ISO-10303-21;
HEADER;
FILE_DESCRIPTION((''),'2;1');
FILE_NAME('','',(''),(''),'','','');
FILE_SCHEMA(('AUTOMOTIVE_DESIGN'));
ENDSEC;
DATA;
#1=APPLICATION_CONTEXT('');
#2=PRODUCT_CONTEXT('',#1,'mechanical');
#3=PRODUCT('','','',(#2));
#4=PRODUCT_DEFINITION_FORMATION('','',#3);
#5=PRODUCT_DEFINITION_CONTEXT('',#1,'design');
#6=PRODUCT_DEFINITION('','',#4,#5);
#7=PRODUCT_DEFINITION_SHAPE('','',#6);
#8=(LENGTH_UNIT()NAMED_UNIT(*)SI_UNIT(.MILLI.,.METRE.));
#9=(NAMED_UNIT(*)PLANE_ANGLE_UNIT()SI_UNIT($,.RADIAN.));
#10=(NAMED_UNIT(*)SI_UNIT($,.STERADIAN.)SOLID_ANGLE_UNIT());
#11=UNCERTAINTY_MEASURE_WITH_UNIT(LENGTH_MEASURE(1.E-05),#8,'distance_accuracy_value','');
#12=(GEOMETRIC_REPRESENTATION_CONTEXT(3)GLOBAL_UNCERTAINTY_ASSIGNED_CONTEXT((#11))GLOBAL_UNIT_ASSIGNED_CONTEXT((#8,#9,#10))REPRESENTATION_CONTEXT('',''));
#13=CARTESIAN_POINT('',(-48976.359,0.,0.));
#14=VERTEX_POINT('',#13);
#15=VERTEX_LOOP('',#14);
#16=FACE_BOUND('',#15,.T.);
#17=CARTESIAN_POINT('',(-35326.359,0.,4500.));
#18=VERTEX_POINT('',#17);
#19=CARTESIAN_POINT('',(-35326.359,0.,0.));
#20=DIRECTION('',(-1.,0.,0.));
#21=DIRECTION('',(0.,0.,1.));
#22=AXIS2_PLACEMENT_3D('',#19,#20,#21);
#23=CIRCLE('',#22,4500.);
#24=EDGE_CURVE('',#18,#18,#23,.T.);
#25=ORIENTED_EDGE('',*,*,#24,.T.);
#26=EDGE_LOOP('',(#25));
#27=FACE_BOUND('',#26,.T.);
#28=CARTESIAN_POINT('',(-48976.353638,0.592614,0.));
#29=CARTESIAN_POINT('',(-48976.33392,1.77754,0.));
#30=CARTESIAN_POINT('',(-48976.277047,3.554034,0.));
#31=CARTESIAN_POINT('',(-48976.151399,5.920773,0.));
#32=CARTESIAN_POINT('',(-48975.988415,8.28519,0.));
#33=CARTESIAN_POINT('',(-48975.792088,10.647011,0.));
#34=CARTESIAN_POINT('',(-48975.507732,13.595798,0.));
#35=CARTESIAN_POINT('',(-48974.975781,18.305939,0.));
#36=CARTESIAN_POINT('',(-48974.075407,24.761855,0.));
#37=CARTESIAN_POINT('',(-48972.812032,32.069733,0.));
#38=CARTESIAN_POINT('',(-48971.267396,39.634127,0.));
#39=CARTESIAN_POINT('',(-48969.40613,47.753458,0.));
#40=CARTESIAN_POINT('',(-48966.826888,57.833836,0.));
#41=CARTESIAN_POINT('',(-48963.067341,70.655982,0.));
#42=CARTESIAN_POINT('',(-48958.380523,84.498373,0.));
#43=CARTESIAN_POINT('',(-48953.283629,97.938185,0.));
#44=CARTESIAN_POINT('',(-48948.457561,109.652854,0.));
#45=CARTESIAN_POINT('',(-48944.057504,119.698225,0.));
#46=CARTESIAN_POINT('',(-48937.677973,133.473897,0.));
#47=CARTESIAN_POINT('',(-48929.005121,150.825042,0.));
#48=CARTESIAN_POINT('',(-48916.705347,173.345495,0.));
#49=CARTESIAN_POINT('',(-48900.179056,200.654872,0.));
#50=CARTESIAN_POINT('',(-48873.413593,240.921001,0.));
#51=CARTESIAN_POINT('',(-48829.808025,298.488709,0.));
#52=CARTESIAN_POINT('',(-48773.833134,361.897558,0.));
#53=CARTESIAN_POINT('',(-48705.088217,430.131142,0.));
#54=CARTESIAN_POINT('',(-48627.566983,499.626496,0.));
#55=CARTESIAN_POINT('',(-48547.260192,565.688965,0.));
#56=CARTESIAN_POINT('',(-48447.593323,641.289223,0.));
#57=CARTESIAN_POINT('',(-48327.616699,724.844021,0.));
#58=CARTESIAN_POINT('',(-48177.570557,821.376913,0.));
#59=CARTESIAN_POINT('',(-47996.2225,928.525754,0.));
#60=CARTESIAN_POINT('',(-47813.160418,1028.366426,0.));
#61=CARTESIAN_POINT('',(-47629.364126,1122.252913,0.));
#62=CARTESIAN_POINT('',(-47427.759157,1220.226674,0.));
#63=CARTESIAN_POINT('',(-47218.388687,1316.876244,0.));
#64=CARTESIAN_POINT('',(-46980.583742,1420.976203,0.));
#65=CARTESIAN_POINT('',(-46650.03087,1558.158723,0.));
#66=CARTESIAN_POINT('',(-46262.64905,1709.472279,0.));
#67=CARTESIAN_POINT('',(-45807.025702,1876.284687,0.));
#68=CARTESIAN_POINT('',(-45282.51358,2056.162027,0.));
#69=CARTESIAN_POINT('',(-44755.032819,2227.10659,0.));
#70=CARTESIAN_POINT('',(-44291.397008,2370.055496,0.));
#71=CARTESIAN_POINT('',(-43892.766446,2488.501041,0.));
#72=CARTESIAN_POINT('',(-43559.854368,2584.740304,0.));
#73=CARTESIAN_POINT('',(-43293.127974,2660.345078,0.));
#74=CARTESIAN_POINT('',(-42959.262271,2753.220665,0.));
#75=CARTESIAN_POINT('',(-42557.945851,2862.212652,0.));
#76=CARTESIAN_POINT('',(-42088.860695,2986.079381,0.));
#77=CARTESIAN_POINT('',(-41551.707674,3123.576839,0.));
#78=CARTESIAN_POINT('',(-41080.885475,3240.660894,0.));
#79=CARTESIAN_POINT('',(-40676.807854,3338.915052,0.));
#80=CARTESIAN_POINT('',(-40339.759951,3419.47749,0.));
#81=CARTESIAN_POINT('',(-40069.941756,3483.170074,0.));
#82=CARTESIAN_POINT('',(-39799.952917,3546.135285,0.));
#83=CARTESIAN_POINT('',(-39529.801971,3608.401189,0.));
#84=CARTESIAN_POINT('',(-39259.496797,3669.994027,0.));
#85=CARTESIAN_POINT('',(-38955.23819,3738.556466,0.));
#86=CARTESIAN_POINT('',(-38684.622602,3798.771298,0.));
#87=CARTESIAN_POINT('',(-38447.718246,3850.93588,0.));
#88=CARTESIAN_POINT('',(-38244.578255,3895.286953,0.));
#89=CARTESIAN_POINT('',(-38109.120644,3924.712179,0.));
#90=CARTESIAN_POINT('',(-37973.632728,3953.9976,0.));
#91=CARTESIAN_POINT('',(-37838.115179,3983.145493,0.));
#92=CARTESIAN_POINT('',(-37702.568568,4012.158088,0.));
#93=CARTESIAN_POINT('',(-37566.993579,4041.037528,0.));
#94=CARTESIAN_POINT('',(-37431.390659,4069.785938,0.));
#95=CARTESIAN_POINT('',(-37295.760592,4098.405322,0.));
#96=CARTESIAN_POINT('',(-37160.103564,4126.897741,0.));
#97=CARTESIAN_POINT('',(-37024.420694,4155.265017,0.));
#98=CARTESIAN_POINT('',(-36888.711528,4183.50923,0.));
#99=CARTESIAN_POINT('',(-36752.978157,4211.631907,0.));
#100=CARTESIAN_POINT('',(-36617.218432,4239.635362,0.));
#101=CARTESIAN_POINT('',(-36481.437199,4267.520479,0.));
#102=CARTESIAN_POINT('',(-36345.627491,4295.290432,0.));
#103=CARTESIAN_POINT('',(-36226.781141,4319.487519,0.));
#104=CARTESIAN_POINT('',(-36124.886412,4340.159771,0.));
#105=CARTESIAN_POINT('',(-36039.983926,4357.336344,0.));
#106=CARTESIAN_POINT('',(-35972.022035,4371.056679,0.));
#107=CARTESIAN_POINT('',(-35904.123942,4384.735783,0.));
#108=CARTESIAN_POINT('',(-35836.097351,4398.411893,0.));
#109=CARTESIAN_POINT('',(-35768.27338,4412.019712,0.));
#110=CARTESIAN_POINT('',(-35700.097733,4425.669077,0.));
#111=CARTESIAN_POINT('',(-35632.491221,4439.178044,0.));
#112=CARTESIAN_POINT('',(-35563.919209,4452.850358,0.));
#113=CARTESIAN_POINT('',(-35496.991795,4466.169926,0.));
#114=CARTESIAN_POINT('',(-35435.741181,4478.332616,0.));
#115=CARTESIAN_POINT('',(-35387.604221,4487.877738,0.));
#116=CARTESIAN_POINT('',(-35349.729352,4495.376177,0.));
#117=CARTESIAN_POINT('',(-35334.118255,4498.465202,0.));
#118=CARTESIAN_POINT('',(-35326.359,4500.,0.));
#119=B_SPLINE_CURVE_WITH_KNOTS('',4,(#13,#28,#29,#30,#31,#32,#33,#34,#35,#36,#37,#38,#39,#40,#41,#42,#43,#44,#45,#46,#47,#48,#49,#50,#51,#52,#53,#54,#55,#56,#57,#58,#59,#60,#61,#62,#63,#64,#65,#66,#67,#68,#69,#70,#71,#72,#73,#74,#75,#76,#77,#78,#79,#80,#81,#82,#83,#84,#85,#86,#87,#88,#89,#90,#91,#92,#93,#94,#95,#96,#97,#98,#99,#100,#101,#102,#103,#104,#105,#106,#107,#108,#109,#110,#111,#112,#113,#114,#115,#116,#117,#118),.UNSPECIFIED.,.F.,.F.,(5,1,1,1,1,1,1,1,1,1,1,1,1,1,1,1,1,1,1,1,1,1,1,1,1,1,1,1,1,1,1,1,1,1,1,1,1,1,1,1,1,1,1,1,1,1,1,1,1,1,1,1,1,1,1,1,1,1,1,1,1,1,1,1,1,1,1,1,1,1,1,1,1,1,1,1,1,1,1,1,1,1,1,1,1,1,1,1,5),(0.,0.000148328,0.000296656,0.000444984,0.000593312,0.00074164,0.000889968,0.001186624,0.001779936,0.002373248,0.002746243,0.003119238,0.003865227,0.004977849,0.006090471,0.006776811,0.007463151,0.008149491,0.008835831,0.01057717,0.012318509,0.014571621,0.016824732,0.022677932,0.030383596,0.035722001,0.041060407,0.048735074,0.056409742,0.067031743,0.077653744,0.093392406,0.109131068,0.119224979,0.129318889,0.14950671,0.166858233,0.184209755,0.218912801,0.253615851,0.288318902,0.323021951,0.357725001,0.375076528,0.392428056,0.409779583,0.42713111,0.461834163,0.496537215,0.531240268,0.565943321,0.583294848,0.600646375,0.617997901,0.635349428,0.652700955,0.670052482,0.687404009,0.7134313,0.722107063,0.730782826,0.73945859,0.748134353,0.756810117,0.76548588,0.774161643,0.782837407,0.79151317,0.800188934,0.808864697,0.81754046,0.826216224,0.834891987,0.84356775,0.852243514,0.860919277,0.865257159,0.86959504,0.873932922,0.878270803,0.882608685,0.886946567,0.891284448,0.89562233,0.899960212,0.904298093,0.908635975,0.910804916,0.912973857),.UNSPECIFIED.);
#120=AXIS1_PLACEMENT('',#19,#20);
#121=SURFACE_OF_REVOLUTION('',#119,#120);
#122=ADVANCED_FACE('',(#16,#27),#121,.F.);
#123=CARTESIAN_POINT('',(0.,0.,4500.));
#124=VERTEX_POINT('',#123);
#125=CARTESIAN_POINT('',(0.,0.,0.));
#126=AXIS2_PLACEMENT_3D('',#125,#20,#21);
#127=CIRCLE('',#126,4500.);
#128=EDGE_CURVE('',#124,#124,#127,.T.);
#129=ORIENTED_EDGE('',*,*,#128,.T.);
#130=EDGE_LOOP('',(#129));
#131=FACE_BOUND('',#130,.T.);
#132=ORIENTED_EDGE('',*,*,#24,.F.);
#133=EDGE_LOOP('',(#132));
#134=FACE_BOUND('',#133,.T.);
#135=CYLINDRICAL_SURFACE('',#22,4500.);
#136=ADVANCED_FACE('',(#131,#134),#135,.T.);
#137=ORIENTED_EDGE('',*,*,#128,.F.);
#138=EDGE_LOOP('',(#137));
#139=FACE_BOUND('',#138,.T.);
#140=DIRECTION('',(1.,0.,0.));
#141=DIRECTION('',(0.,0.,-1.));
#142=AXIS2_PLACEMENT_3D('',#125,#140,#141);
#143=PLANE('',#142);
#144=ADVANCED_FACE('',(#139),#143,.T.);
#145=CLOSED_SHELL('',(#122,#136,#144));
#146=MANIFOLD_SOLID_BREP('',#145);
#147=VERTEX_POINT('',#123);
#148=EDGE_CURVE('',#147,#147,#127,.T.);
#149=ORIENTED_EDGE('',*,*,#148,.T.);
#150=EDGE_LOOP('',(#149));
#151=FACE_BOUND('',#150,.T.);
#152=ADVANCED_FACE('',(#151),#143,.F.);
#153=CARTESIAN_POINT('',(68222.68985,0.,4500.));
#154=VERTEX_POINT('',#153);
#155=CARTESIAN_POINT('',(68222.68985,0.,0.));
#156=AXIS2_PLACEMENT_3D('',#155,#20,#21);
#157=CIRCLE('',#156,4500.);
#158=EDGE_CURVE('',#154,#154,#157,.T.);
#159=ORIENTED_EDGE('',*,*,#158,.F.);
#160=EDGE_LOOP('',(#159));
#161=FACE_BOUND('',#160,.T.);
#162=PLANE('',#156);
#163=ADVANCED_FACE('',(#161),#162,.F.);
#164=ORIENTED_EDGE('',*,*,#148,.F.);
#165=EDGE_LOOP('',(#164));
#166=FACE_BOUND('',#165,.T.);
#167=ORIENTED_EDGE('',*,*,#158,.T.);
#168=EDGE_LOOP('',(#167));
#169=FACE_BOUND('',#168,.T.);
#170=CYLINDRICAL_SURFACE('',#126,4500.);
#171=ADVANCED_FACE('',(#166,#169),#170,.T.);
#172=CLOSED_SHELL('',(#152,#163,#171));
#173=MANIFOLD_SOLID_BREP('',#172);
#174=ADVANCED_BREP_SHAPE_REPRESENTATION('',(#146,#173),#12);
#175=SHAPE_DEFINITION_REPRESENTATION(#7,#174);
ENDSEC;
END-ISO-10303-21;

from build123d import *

# Parameters (mm, degrees)
SKETCH1_3_W = 68222.68985
SKETCH1_3_H = 4500


with BuildPart() as part:
    # Sketch1 → Revolve1 (revolve)
    with BuildSketch(Plane.XY):
        with BuildLine():
            Line((0, 4500), (-35326.359000001, 4500))
            add(Edge.make_bspline(
                [(-48976.359000001, 0), (-48976.3536378, 0.592613518), (-48976.3339196, 1.777539599), (-48976.277047319, 3.554033894), (-48976.151399279, 5.920773076), (-48975.988415082, 8.285190024), (-48975.792087569, 10.647010918), (-48975.50773179, 13.595797729), (-48974.975780644, 18.305938846), (-48974.075407048, 24.761855399), (-48972.812032318, 32.069732876), (-48971.267395832, 39.634127062), (-48969.406130221, 47.753458034), (-48966.826887694, 57.833836262), (-48963.067340728, 70.655981624), (-48958.380522807, 84.498372841), (-48953.283629347, 97.938184949), (-48948.457560841, 109.652853503), (-48944.057504252, 119.698224839), (-48937.677973068, 133.473896563), (-48929.005121031, 150.825042001), (-48916.705346911, 173.345494974), (-48900.17905621, 200.654871825), (-48873.413592917, 240.921000666), (-48829.808025233, 298.488708543), (-48773.833134371, 361.897558053), (-48705.088216994, 430.131142156), (-48627.566983367, 499.626495881), (-48547.260191937, 565.688964915), (-48447.593323125, 641.289222996), (-48327.616698758, 724.844021045), (-48177.570557011, 821.376913095), (-47996.222500301, 928.525753816), (-47813.160418479, 1028.366425653), (-47629.364126457, 1122.252913372), (-47427.759156545, 1220.226673609), (-47218.388687314, 1316.876243602), (-46980.583741622, 1420.976202747), (-46650.030870018, 1558.158722655), (-46262.64905038, 1709.47227868), (-45807.025701776, 1876.28468683), (-45282.513579632, 2056.162027147), (-44755.032819441, 2227.106590133), (-44291.397008234, 2370.055495571), (-43892.766446018, 2488.501040828), (-43559.854367942, 2584.740304492), (-43293.127973672, 2660.345077511), (-42959.262271221, 2753.220665068), (-42557.945851294, 2862.212651822), (-42088.860694681, 2986.079381315), (-41551.707674095, 3123.576838646), (-41080.885474721, 3240.660893911), (-40676.807854123, 3338.915051605), (-40339.759951046, 3419.477490421), (-40069.941755537, 3483.170074199), (-39799.952917419, 3546.13528461), (-39529.801971385, 3608.401189071), (-39259.49679673, 3669.994026644), (-38955.238190483, 3738.556465885), (-38684.622602168, 3798.771298134), (-38447.718246347, 3850.935880293), (-38244.578255187, 3895.286953096), (-38109.120643668, 3924.712178681), (-37973.632727933, 3953.997600057), (-37838.115178621, 3983.145493489), (-37702.56856844, 4012.158088334), (-37566.993578702, 4041.037527552), (-37431.390659342, 4069.785938185), (-37295.760591604, 4098.405321953), (-37160.103563896, 4126.897740566), (-37024.420694324, 4155.265016528), (-36888.711527556, 4183.509230396), (-36752.978156789, 4211.631907315), (-36617.218432374, 4239.635362255), (-36481.437199134, 4267.520478978), (-36345.627490888, 4295.290431501), (-36226.781140549, 4319.487518527), (-36124.886412175, 4340.15977132), (-36039.983925564, 4357.336343801), (-35972.022035334, 4371.056678839), (-35904.123942456, 4384.735782617), (-35836.097350561, 4398.411892791), (-35768.273380284, 4412.019711581), (-35700.097732824, 4425.669076765), (-35632.491220751, 4439.178043534), (-35563.919209135, 4452.850357712), (-35496.991795405, 4466.169925715), (-35435.741180669, 4478.332615947), (-35387.604221043, 4487.877737786), (-35349.729351611, 4495.376176609), (-35334.118254757, 4498.465202356), (-35326.359, 4500)],
                knots=[0, 0, 0, 0, 0, 0.000148328, 0.000296656, 0.000444984, 0.000593312, 0.00074164, 0.000889968, 0.001186624, 0.001779936, 0.002373248, 0.002746243, 0.003119238, 0.003865227, 0.004977849, 0.006090471, 0.006776811, 0.007463151, 0.008149491, 0.008835831, 0.01057717, 0.012318509, 0.014571621, 0.016824732, 0.022677932, 0.030383596, 0.035722001, 0.041060407, 0.048735074, 0.056409742, 0.067031743, 0.077653744, 0.093392406, 0.109131068, 0.119224979, 0.129318889, 0.14950671, 0.166858233, 0.184209755, 0.218912801, 0.253615851, 0.288318902, 0.323021951, 0.357725001, 0.375076528, 0.392428056, 0.409779583, 0.42713111, 0.461834163, 0.496537215, 0.531240268, 0.565943321, 0.583294848, 0.600646375, 0.617997901, 0.635349428, 0.652700955, 0.670052482, 0.687404009, 0.7134313, 0.722107063, 0.730782826, 0.73945859, 0.748134353, 0.756810117, 0.76548588, 0.774161643, 0.782837407, 0.79151317, 0.800188934, 0.808864697, 0.81754046, 0.826216224, 0.834891987, 0.84356775, 0.852243514, 0.860919277, 0.865257159, 0.86959504, 0.873932922, 0.878270803, 0.882608685, 0.886946567, 0.891284448, 0.89562233, 0.899960212, 0.904298093, 0.908635975, 0.910804916, 0.912973857, 0.912973857, 0.912973857, 0.912973857, 0.912973857], degree=4))
            Line((-48976.359000001, 0), (-35326.359, 0))
            Line((-35326.359, 0), (0, 0))
            Line((0, 0), (0, 4500))
        make_face()
    revolve(axis=Axis((-35326.359, 0, 0), (1, 0, 0)))


with BuildPart() as body_2:
    # Sketch1<3> → Revolve2 (revolve)
    with BuildSketch(Plane.XY):
        with Locations((34111.344925, 2250)):
            Rectangle(SKETCH1_3_W, SKETCH1_3_H)
    revolve(axis=Axis((0, 0, 0), (1, 0, 0)))


solid = Compound([part.part, body_2.part])
